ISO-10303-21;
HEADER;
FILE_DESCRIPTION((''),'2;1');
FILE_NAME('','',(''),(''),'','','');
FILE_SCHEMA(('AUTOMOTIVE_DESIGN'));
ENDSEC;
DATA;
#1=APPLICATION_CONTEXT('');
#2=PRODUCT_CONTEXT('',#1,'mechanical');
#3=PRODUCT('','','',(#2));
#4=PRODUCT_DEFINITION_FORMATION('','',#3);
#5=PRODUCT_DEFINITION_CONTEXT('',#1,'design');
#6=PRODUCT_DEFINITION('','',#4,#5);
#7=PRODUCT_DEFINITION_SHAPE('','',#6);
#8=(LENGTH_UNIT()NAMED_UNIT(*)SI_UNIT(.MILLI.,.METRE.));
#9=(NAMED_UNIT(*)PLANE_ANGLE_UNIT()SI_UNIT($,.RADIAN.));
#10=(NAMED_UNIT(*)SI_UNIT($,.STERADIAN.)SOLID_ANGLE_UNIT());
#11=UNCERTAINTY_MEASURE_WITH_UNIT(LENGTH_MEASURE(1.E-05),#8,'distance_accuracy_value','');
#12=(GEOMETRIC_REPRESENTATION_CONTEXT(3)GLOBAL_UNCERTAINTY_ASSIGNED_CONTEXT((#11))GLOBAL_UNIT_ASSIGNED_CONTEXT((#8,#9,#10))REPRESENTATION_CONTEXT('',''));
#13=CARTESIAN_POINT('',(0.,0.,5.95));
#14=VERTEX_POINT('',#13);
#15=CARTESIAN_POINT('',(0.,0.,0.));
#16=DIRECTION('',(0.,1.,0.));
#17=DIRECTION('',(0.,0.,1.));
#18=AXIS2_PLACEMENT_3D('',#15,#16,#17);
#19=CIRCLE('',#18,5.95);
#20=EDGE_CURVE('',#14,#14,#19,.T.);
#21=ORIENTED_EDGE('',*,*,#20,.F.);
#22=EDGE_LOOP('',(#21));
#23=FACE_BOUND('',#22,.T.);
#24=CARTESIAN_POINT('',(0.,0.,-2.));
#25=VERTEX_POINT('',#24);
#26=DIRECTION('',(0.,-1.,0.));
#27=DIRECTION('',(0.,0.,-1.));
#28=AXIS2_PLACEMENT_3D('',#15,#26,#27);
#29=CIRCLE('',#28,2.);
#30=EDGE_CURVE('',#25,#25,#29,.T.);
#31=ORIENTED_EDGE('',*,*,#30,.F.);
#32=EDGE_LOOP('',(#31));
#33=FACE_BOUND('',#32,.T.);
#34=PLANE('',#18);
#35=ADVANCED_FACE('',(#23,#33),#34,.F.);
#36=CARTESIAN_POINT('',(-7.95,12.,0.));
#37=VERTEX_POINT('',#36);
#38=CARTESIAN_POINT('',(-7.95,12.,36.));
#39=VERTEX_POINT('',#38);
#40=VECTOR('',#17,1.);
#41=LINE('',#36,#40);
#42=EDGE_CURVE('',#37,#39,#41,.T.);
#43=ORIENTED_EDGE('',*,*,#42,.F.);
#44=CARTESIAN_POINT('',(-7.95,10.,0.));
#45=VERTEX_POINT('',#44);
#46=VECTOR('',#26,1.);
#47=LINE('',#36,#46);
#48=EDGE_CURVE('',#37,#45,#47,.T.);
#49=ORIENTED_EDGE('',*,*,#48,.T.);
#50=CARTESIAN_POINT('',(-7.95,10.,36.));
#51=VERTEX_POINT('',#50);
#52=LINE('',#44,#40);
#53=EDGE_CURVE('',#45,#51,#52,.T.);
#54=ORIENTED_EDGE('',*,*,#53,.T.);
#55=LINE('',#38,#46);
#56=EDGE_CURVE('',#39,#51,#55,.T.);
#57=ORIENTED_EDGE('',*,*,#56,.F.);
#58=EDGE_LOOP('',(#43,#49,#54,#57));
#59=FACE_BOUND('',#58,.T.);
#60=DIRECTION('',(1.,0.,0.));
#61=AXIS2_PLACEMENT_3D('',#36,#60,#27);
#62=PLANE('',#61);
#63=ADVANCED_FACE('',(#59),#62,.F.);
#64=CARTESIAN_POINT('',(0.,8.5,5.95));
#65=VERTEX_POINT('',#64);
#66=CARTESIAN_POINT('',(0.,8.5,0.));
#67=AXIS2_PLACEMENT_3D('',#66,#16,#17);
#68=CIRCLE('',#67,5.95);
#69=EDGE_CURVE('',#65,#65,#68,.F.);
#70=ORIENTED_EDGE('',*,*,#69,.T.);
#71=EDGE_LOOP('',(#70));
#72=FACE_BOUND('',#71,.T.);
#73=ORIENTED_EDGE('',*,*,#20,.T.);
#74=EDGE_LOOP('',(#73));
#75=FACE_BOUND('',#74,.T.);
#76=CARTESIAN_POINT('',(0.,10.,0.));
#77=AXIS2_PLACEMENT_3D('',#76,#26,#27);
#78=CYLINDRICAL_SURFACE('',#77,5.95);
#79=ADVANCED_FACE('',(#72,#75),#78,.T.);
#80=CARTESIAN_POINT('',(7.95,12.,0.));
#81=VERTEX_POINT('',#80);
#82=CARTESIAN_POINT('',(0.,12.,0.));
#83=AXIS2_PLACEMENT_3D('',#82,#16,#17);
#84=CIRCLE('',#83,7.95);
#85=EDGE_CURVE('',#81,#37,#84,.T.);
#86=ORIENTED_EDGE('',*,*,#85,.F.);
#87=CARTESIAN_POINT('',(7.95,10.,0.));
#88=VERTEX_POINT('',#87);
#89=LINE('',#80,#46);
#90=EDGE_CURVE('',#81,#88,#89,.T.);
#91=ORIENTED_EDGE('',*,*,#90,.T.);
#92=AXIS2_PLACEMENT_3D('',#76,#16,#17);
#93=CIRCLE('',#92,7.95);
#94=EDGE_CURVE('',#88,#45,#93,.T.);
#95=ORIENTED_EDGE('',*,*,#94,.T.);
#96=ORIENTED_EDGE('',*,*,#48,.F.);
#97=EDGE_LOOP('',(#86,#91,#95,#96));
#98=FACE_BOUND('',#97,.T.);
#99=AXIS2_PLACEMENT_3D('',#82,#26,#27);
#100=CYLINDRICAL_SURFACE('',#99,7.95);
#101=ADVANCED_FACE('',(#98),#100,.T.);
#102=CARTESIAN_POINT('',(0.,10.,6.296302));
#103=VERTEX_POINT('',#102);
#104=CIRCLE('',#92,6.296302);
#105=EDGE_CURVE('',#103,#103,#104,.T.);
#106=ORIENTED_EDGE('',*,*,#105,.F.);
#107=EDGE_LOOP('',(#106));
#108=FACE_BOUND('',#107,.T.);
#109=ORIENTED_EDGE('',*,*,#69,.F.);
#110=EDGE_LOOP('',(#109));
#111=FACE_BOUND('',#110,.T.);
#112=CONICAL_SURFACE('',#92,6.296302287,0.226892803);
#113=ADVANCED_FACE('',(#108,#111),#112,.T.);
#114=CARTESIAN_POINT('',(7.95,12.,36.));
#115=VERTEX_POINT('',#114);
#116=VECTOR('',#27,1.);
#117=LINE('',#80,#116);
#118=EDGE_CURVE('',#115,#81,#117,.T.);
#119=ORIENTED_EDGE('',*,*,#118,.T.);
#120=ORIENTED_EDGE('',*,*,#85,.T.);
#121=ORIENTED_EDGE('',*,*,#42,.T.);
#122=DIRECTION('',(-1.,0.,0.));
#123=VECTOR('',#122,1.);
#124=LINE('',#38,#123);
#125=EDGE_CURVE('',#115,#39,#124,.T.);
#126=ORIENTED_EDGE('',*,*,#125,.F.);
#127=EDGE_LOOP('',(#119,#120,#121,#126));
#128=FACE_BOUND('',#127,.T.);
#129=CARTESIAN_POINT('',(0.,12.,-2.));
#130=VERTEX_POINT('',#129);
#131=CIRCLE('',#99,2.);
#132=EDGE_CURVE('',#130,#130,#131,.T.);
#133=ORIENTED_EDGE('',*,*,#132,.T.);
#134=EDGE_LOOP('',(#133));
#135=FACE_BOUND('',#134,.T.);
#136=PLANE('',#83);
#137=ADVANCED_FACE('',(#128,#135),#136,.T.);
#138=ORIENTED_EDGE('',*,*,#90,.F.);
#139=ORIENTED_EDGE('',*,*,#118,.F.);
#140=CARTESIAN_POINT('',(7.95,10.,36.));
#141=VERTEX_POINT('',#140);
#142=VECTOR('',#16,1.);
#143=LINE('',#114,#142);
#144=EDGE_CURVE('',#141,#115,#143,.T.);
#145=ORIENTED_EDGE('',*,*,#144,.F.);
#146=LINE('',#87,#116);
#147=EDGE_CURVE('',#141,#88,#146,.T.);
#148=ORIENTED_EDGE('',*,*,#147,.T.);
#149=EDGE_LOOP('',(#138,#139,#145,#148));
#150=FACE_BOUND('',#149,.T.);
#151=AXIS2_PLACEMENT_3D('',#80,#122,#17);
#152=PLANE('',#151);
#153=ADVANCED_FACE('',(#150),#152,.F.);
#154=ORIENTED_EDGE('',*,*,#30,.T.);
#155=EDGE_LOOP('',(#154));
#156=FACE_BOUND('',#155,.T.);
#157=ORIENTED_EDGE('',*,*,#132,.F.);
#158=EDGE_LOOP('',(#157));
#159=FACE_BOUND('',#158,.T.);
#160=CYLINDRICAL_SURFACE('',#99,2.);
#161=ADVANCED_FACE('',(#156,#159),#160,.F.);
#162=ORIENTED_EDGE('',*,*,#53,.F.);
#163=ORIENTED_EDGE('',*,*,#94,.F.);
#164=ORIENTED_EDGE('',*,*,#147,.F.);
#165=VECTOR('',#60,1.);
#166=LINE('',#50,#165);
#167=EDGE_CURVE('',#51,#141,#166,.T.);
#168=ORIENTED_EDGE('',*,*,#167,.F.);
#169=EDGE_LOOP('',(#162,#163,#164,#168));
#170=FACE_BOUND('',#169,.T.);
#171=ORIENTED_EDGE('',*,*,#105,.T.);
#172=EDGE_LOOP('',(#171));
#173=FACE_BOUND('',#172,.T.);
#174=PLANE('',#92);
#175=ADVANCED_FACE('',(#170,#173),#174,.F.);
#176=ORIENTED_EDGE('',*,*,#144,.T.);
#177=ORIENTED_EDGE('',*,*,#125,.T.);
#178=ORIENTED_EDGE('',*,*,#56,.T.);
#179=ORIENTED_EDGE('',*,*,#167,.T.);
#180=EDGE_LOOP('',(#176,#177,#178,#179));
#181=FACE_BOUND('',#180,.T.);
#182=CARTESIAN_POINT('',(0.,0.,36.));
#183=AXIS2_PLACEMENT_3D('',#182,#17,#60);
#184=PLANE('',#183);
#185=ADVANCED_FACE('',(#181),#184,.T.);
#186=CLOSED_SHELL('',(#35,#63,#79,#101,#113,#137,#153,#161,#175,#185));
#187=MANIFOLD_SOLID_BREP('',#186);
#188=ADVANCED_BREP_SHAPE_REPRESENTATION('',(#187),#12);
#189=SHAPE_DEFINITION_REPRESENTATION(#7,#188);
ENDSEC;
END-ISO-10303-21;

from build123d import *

# Parameters (mm, degrees)
SKETCH1_R           = 5.95
BOSS_EXTRUDE1_DEPTH = 10
BOSS_EXTRUDE2_DEPTH = 2
CHAMFER1_SIZE       = 1.5
CHAMFER1_SIZE2      = 0.346302287
SKETCH3_R           = 2
CUT_EXTRUDE1_DEPTH  = 13
SKETCH4_W           = 15.9
SKETCH4_H           = 2
BOSS_EXTRUDE3_DEPTH = 20


with BuildPart() as part:
    # Sketch1 → Boss-Extrude1 (new body)
    with BuildSketch(Plane(origin=(0, 0, 0), x_dir=(1, 0, 0), z_dir=(0, 1, 0))):
        Circle(SKETCH1_R)
    extrude(amount=BOSS_EXTRUDE1_DEPTH)

    # Sketch2 → Boss-Extrude2 (add)
    with BuildSketch(Plane(origin=(0, 10, 0), x_dir=(1, 0, 0), z_dir=(0, 1, 0))):
        with BuildLine():
            Line((-7.95, 0), (-7.95, -16))
            Line((-7.95, -16), (7.95, -16))
            Line((7.95, -16), (7.95, 0))
            ThreePointArc((7.95, 0), (0, 7.95), (-7.95, 0))
        make_face()
    extrude(amount=BOSS_EXTRUDE2_DEPTH)

    # Chamfer1
    chamfer1_edges = [part.edges().sort_by_distance(p)[0] for p in [
        (-5.95, 10, 0),
    ]]
    chamfer1_side = [part.faces().sort_by_distance(p)[0] for p in [
        (-5.95, 5, 0),
    ]]
    chamfer(chamfer1_edges, length=CHAMFER1_SIZE, length2=CHAMFER1_SIZE2, reference=chamfer1_side[0])

    # Sketch3 → Cut-Extrude1 (cut, through all)
    with BuildSketch(Plane.XZ):
        Circle(SKETCH3_R)
    extrude(amount=-CUT_EXTRUDE1_DEPTH, mode=Mode.SUBTRACT)

    # Sketch4 → Boss-Extrude3 (add)
    with BuildSketch(Plane.XY.offset(16)):
        with Locations((0, 11)):
            Rectangle(SKETCH4_W, SKETCH4_H)
    extrude(amount=BOSS_EXTRUDE3_DEPTH)


solid = part.part
